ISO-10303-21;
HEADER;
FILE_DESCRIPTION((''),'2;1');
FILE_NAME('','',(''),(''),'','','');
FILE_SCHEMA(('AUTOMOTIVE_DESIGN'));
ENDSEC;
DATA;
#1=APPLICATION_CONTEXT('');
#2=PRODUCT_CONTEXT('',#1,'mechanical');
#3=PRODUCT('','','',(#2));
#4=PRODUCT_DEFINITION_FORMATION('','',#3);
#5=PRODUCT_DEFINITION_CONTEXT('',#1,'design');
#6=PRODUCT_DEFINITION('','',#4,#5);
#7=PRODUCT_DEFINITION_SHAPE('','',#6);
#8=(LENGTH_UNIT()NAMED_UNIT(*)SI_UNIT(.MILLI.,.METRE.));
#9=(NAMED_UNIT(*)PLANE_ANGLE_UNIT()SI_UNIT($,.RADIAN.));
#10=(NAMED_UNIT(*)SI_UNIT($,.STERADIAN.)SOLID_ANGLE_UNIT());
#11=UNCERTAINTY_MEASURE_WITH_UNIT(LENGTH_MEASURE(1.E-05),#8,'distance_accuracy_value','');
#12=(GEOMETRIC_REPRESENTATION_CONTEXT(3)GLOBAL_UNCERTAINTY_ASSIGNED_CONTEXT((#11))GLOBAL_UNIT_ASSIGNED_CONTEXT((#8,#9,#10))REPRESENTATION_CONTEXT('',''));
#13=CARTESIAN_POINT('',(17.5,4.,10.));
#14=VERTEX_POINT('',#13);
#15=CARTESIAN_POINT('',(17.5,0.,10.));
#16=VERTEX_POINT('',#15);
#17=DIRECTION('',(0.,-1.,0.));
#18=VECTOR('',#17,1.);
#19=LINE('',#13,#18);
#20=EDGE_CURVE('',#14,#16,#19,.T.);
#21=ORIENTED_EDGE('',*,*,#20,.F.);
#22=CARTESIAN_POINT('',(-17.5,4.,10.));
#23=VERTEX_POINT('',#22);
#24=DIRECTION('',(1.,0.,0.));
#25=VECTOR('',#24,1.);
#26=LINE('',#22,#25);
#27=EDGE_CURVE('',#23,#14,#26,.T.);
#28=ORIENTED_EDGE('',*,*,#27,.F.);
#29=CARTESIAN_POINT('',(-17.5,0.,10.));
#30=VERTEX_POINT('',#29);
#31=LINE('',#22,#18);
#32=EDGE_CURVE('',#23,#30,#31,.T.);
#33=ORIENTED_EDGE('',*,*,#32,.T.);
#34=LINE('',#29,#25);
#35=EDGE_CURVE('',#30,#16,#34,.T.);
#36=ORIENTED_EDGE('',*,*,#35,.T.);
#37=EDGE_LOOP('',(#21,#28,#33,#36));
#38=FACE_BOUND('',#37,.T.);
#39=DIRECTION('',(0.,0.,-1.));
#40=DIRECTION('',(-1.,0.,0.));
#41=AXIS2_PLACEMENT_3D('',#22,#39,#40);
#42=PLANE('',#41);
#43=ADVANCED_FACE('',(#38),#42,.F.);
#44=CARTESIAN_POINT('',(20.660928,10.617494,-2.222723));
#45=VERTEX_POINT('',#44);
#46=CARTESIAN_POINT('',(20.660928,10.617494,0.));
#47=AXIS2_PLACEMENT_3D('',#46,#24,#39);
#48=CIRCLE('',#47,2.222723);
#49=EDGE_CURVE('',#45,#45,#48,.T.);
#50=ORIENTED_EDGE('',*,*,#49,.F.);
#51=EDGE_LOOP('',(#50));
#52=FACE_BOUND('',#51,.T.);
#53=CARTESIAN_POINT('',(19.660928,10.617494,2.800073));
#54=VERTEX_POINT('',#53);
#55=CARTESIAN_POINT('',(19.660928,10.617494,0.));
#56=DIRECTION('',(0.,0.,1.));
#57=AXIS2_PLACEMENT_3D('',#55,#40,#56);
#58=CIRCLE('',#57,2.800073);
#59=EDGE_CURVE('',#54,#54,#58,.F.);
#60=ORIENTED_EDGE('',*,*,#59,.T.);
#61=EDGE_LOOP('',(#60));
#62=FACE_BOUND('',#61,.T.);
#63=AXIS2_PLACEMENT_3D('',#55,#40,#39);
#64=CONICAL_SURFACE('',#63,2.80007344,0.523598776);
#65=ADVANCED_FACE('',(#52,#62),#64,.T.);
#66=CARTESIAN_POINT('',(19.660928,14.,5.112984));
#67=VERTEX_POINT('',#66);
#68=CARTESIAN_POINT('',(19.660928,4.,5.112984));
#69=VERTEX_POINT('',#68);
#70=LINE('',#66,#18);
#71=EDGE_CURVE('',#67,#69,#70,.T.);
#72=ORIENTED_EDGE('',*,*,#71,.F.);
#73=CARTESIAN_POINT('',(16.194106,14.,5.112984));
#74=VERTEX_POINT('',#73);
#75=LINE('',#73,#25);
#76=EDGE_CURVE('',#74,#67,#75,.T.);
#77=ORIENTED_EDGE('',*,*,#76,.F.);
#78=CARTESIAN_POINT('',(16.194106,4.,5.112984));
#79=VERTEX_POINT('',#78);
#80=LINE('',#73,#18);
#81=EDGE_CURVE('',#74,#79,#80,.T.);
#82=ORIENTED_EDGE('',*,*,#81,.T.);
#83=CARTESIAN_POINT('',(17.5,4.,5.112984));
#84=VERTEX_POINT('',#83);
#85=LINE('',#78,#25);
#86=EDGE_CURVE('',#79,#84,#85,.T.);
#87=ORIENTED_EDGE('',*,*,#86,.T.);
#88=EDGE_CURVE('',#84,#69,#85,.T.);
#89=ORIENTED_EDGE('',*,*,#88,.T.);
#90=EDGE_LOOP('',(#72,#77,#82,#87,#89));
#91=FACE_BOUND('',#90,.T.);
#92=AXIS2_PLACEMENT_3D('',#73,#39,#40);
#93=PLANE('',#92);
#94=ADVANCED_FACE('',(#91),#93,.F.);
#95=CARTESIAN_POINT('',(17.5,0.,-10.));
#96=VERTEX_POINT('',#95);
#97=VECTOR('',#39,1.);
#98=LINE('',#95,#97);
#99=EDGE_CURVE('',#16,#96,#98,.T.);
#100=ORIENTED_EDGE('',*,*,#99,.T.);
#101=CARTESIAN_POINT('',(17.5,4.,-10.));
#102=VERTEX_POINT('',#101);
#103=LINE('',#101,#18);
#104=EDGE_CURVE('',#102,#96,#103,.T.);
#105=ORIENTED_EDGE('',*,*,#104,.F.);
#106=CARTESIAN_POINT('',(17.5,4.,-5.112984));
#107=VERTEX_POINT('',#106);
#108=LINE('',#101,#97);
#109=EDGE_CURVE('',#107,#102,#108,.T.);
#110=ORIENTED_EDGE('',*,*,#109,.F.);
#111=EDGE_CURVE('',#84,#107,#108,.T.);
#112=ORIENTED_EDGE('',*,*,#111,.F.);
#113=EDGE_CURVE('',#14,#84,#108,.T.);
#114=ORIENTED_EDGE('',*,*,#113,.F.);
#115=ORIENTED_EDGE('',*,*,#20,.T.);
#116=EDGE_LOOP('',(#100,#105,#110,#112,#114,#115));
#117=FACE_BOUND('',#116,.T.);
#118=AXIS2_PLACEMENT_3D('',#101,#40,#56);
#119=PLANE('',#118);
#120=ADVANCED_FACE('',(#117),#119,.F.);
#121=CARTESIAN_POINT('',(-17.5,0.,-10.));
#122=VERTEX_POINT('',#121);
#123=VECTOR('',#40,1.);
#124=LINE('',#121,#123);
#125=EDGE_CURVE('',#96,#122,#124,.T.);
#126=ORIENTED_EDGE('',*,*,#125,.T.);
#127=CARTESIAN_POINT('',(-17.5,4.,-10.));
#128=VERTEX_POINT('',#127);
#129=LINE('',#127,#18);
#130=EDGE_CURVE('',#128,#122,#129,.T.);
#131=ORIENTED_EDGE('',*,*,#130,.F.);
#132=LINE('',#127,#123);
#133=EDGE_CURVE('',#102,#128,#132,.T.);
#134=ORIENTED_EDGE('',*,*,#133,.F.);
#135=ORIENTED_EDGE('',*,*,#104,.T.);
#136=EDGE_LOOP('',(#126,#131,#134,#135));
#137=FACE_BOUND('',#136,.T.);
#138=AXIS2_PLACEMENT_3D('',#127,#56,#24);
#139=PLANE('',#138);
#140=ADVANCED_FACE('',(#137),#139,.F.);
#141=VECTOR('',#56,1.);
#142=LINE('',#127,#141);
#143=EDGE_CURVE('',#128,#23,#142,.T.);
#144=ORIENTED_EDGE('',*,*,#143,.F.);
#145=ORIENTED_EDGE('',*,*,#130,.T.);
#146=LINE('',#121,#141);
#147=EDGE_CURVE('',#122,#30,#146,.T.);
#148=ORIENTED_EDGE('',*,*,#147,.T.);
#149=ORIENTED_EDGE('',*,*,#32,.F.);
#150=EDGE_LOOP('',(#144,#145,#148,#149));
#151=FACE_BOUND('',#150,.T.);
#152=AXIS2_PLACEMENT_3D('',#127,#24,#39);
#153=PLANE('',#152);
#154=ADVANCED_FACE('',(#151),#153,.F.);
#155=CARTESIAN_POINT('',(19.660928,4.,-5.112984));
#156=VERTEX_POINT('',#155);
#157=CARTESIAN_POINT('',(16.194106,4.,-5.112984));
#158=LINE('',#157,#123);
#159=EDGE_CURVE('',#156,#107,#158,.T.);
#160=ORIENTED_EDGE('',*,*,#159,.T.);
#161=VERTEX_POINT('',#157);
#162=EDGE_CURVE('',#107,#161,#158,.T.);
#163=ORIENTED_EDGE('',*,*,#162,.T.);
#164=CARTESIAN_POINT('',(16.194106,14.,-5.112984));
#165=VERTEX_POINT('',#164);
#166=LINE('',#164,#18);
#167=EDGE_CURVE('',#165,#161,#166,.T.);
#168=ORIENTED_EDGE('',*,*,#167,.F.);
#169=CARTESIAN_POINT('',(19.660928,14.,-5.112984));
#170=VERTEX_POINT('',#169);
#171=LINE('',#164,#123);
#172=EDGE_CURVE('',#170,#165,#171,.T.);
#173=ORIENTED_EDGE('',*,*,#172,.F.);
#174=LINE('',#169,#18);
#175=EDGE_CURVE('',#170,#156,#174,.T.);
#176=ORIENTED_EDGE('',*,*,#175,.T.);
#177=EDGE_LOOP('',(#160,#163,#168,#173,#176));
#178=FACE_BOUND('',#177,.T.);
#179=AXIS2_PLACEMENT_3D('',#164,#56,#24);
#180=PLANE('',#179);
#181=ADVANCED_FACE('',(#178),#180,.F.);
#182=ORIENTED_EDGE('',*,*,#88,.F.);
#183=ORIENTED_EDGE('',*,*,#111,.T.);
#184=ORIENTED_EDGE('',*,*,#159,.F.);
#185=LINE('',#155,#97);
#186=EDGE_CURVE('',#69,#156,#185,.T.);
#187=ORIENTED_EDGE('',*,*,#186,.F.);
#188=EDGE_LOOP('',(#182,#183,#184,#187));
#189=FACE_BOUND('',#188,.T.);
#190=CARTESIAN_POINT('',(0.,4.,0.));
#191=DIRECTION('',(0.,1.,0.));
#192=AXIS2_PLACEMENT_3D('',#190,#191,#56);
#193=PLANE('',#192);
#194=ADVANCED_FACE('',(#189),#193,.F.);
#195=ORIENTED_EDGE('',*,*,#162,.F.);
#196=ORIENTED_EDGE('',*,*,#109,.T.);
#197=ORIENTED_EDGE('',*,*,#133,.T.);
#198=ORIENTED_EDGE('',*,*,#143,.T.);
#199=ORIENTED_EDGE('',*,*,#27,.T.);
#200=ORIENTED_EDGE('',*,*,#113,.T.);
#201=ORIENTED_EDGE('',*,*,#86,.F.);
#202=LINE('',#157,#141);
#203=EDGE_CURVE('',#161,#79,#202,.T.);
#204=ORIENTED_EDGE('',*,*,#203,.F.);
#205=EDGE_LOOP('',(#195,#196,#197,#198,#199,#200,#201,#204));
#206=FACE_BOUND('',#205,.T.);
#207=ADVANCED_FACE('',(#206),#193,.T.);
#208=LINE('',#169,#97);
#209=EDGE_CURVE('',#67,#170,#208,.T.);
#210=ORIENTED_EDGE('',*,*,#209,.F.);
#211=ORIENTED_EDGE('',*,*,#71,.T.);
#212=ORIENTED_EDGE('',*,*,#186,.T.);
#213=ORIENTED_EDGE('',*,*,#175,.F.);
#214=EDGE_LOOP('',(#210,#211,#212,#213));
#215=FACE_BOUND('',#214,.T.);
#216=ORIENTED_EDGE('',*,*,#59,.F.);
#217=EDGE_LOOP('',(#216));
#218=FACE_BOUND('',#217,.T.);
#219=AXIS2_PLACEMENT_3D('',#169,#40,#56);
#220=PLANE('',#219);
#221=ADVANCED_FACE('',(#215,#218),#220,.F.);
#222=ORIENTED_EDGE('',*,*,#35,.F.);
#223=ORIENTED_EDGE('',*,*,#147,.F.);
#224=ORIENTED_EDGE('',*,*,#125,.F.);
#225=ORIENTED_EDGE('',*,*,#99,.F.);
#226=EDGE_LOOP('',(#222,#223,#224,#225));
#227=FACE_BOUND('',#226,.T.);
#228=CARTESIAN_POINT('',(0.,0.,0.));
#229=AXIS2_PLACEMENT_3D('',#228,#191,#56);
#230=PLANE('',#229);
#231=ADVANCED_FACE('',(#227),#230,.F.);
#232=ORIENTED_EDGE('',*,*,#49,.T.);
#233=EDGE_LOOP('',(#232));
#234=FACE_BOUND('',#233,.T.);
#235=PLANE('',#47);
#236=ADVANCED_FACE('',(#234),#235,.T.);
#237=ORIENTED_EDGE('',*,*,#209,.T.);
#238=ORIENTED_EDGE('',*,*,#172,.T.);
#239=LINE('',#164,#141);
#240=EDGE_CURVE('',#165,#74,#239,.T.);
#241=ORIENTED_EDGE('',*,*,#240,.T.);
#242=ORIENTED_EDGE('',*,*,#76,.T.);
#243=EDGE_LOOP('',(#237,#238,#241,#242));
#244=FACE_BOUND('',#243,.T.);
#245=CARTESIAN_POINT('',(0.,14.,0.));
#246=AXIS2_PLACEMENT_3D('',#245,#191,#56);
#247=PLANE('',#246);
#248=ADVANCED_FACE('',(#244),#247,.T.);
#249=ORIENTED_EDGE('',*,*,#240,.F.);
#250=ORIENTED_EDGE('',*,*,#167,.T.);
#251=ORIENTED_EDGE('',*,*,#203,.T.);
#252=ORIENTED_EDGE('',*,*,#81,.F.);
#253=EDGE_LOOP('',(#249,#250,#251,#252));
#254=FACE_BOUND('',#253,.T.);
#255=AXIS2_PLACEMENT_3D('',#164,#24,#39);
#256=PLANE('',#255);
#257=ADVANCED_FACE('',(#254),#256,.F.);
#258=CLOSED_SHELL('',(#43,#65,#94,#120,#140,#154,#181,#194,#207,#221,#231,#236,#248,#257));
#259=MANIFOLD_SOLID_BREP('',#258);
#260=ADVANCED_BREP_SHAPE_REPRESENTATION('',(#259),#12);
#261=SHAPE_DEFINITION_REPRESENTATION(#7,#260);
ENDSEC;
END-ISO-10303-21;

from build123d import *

# Parameters (mm, degrees)
SKETCH1_W           = 35
SKETCH1_H           = 20
BOSS_EXTRUDE1_DEPTH = 4
SKETCH2_W           = 3.466821798
SKETCH2_H           = 10.225967746
BOSS_EXTRUDE2_DEPTH = 10
SKETCH3_R           = 2.80007344
BOSS_EXTRUDE3_DEPTH = 1
BOSS_EXTRUDE3_TAPER = 30


with BuildPart() as part:
    # Sketch1 → Boss-Extrude1 (new body)
    with BuildSketch(Plane(origin=(0, 0, 0), x_dir=(1, 0, 0), z_dir=(0, 1, 0))):
        Rectangle(SKETCH1_W, SKETCH1_H)
    extrude(amount=BOSS_EXTRUDE1_DEPTH)

    # Sketch2 → Boss-Extrude2 (add)
    with BuildSketch(Plane(origin=(0, 4, 0), x_dir=(1, 0, 0), z_dir=(0, 1, 0))):
        with Locations((17.927516635, 0)):
            Rectangle(SKETCH2_W, SKETCH2_H)
    extrude(amount=BOSS_EXTRUDE2_DEPTH)

    # Sketch3 → Boss-Extrude3 (add)
    with BuildSketch(Plane(origin=(19.660927534, 0, 0), x_dir=(0, 0, -1), z_dir=(1, 0, 0))):
        with Locations((0, 10.617493758)):
            Circle(SKETCH3_R)
    extrude(amount=BOSS_EXTRUDE3_DEPTH, taper=BOSS_EXTRUDE3_TAPER)


solid = part.part
